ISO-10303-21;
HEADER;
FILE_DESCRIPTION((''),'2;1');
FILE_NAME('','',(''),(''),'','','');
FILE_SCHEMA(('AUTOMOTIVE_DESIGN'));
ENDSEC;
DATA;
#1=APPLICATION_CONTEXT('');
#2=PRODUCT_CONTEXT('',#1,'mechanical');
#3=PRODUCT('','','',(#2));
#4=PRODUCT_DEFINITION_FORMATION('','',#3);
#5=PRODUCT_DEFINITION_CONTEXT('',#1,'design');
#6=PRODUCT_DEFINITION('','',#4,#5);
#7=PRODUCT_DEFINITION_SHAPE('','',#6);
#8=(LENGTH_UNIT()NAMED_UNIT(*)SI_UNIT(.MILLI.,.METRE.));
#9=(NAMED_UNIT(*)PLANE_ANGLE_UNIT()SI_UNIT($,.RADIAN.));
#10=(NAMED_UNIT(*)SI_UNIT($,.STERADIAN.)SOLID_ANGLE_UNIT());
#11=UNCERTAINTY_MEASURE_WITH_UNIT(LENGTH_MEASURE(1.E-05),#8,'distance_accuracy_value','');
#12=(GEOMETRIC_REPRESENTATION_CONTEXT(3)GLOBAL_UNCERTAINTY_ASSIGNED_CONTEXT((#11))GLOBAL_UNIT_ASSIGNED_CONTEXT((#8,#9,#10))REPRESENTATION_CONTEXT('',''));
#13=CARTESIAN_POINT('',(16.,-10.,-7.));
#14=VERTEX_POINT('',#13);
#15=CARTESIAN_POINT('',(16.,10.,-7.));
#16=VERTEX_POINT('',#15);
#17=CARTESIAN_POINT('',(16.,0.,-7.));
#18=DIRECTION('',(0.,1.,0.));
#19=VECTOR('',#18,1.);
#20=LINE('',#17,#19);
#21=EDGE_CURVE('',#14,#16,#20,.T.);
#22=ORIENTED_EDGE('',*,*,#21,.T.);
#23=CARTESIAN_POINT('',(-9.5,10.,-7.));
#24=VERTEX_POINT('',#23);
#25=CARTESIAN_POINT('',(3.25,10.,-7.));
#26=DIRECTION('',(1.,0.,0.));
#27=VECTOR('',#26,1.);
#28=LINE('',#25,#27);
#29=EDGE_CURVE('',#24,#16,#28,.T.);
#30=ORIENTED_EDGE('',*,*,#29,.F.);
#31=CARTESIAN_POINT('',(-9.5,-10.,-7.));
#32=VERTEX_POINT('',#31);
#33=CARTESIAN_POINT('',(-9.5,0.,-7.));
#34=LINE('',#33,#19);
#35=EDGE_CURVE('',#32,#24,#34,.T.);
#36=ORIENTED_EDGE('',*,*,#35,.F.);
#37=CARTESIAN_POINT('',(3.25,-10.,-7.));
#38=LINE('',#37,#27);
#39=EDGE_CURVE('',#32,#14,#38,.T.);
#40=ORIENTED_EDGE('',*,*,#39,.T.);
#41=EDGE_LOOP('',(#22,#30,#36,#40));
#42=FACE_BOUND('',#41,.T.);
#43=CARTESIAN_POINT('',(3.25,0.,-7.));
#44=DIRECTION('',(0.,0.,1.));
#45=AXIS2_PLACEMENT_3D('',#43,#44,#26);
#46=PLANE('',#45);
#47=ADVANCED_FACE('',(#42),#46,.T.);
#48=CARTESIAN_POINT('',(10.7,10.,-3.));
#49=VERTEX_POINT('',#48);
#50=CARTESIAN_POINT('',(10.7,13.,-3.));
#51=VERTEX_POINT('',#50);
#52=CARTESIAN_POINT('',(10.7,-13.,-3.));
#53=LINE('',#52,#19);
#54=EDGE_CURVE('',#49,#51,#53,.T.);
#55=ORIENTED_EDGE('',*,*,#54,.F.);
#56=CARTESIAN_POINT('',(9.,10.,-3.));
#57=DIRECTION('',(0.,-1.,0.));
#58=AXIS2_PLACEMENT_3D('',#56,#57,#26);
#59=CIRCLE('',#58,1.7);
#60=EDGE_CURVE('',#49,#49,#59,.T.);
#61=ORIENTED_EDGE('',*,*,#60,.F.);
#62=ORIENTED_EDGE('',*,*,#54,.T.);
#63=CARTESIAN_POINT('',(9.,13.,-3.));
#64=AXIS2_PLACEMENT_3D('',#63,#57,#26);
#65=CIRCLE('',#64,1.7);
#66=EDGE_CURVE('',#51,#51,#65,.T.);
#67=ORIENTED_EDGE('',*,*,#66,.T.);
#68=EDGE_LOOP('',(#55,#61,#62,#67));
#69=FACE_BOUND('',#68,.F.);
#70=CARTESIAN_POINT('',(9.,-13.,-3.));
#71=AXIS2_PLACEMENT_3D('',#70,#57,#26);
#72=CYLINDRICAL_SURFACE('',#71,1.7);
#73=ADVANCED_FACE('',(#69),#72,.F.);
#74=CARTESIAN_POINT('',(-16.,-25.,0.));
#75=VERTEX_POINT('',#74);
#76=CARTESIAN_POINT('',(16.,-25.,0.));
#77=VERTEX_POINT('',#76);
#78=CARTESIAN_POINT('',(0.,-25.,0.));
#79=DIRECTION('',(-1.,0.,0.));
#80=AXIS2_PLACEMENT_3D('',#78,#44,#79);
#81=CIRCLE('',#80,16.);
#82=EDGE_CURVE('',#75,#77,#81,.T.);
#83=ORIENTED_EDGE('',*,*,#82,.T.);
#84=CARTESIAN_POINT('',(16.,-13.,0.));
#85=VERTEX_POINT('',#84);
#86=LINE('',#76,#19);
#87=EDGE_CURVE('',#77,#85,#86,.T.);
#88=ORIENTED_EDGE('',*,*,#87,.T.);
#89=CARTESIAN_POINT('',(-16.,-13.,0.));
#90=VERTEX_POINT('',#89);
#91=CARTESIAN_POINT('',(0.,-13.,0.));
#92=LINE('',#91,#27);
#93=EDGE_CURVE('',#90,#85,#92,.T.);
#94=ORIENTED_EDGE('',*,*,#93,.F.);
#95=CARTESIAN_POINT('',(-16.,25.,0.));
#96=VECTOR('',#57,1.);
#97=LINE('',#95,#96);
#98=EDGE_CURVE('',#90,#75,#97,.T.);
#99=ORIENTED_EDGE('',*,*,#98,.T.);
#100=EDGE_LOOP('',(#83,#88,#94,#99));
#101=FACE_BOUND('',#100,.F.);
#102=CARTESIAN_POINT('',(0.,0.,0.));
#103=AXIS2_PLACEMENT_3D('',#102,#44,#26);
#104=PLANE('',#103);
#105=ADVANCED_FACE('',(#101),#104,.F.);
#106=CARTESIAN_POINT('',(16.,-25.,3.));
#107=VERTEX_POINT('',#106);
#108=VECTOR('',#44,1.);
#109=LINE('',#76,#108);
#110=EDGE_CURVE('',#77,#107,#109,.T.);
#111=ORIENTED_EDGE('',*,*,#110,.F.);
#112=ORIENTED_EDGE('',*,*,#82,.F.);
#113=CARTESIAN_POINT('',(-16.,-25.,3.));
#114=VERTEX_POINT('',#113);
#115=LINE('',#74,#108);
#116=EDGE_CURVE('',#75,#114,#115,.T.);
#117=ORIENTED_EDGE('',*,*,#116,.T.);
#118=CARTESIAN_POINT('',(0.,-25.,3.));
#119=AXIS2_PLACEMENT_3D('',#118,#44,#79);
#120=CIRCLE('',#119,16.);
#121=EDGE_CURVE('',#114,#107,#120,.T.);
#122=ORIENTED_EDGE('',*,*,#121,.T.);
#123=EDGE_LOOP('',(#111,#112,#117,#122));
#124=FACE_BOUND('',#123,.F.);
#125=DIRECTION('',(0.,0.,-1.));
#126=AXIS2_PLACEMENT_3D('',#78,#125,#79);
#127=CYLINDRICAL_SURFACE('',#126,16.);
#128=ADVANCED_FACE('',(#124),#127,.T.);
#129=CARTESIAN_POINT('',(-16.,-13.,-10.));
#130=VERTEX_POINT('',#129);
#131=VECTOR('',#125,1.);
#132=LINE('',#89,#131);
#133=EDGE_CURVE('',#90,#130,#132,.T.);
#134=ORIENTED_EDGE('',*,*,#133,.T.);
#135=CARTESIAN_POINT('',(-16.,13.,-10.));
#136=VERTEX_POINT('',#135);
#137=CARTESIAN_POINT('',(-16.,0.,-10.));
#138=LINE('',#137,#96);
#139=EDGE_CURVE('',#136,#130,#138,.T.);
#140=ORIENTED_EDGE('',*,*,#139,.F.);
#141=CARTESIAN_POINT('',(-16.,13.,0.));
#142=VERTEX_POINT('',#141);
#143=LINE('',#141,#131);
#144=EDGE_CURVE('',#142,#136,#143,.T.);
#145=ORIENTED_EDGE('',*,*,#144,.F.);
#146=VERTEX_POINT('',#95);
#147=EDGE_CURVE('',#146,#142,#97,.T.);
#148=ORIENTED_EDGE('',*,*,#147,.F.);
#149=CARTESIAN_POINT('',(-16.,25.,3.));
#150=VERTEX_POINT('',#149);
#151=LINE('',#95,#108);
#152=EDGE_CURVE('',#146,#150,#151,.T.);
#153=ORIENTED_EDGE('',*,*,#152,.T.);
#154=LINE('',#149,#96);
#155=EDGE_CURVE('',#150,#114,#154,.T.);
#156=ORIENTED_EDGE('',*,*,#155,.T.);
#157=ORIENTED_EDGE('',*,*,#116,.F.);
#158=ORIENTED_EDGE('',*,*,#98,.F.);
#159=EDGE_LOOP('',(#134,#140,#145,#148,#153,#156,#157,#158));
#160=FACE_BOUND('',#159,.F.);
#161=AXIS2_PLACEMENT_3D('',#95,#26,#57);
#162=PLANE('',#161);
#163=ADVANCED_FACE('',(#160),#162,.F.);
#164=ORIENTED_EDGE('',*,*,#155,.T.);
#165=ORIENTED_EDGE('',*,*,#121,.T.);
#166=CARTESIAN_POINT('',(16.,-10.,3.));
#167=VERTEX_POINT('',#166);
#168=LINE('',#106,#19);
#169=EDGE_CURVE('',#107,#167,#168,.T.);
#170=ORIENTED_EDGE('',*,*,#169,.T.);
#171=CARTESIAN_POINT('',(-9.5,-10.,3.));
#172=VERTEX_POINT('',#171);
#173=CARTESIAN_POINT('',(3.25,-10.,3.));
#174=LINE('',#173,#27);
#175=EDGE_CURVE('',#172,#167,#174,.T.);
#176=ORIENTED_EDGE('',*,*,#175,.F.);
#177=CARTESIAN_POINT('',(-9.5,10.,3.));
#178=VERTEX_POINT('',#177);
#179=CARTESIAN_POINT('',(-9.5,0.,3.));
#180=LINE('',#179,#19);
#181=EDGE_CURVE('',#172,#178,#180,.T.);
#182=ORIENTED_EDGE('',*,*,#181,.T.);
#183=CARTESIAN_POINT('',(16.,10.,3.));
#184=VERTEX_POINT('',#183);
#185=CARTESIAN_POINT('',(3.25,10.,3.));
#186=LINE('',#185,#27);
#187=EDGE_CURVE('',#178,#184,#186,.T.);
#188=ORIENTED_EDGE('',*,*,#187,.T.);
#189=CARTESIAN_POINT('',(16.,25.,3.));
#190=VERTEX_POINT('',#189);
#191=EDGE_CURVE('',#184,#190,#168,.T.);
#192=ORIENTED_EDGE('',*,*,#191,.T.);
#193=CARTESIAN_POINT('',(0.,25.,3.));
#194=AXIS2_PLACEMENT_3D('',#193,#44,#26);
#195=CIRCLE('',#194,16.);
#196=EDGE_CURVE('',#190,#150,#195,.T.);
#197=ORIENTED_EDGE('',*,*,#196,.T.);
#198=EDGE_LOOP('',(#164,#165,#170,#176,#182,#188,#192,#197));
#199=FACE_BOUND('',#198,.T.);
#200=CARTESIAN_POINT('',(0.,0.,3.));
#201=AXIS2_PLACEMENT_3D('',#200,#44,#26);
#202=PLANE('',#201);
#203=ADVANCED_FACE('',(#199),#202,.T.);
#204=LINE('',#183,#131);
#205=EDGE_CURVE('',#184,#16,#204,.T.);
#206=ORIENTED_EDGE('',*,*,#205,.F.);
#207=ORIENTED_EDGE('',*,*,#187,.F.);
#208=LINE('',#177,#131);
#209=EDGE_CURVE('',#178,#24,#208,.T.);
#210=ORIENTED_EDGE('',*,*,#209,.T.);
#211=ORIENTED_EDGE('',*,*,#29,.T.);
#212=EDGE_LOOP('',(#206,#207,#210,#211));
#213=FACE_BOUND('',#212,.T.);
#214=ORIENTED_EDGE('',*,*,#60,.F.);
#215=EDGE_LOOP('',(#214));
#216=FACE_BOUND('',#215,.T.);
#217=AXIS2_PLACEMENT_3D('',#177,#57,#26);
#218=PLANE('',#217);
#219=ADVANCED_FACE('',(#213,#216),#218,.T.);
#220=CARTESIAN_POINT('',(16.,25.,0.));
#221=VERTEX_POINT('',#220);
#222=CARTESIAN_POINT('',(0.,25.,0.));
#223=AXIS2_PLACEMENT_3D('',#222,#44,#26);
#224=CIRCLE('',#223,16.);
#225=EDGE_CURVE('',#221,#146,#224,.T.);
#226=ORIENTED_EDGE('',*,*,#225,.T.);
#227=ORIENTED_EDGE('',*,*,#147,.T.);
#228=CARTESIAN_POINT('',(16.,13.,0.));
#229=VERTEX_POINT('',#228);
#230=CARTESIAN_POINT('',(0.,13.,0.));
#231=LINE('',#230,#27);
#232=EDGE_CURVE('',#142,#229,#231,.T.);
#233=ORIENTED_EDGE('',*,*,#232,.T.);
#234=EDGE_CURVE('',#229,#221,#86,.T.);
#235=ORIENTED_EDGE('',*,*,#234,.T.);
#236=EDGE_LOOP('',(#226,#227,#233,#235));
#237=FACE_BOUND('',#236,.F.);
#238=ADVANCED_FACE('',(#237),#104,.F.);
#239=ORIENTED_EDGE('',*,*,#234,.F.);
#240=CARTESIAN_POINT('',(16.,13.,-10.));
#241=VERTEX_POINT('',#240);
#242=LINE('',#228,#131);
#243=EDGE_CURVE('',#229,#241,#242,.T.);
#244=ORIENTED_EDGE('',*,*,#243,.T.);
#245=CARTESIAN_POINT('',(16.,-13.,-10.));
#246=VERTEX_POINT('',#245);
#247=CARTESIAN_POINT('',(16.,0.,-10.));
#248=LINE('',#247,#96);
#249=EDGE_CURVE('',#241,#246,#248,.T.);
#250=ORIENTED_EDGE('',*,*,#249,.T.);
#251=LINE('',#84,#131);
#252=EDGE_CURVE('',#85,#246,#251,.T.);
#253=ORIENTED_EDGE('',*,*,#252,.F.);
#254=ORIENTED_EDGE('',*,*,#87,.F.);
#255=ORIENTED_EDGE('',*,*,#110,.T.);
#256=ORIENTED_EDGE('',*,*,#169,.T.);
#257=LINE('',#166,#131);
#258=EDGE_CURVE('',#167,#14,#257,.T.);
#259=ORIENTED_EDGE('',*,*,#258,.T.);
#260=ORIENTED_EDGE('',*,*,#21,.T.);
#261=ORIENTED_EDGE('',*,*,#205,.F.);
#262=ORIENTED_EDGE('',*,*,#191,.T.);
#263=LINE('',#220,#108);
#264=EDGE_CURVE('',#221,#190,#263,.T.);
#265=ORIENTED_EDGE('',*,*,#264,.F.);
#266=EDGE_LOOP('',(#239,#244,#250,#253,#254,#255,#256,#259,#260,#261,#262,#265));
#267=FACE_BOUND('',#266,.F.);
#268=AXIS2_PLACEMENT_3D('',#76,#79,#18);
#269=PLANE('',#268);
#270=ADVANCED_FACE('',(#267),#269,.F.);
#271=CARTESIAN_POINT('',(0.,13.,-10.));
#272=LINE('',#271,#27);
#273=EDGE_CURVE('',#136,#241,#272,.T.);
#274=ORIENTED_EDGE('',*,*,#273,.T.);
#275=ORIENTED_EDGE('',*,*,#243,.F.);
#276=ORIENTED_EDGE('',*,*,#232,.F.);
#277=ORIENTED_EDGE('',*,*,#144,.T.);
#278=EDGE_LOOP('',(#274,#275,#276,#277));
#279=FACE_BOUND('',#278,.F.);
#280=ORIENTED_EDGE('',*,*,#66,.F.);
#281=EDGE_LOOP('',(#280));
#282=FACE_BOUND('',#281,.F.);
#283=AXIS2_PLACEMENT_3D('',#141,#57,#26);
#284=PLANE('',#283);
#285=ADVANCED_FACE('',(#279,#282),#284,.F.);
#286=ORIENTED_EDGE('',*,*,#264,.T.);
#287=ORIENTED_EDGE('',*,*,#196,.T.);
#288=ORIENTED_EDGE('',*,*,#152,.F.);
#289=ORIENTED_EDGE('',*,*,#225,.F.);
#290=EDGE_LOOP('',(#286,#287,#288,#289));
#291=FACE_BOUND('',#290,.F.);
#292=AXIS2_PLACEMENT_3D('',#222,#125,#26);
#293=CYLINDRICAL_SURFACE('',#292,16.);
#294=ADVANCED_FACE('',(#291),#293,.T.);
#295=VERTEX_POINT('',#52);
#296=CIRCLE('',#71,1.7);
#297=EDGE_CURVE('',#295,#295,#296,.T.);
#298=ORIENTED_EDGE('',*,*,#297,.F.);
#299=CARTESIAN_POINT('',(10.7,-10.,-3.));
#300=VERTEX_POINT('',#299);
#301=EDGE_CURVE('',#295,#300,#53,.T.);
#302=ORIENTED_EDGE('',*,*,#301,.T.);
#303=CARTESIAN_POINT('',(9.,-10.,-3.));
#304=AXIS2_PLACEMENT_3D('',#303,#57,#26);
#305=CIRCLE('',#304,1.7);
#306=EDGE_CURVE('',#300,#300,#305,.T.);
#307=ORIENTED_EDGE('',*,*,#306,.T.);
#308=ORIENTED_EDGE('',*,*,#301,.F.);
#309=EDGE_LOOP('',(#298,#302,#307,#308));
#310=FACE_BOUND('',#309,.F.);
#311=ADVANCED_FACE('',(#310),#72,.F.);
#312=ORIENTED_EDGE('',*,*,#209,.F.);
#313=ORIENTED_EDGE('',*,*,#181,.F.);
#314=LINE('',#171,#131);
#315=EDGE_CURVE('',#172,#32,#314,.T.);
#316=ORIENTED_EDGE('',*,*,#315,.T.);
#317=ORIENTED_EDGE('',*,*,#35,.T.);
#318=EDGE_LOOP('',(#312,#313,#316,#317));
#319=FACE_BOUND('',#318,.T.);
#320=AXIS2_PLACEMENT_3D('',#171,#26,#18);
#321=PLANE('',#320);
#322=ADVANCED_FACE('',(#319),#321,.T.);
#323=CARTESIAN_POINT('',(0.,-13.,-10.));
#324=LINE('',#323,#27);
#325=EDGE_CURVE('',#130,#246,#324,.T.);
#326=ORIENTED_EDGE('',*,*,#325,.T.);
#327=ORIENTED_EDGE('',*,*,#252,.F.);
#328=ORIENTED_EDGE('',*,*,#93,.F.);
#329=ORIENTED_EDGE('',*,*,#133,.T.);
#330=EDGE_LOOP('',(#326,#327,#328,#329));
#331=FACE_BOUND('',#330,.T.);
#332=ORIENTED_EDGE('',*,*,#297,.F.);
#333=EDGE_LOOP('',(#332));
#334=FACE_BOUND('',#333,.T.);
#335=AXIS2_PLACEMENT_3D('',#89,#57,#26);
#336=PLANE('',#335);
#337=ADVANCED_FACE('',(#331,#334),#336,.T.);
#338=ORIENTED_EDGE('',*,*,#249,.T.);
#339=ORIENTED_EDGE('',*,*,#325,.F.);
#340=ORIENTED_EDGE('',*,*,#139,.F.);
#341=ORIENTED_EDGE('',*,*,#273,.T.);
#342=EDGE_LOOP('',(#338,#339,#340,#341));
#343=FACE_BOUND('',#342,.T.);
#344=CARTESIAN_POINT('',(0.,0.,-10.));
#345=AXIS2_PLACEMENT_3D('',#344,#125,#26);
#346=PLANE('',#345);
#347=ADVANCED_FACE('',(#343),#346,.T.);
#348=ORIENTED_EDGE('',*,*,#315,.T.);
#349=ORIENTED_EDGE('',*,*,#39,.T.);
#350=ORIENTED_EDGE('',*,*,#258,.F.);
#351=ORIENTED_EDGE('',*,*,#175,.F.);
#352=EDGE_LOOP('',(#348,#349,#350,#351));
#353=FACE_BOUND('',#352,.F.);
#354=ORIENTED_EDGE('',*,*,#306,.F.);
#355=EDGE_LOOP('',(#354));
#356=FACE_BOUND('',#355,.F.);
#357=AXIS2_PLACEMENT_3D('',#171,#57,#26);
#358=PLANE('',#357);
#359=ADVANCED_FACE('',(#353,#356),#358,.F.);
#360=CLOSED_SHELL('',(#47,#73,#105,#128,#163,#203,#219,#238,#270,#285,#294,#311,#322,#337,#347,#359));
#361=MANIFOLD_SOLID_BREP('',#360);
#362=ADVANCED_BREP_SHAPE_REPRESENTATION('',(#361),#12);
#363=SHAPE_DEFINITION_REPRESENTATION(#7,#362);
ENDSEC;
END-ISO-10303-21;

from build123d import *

# Parameters (mm, degrees)
F1_DEPTH = 3
F2_W     = 32
F2_H     = 26
F3_DEPTH = 10
F4_W     = 25.5
F4_H     = 20
F5_DEPTH = 10
F6_R     = 1.7
F7_DEPTH = 101.6


with BuildPart() as f1:
    # F0 (on Top) → F1 (new body)
    with BuildSketch(Plane.XY):
        with BuildLine():
            Line((16, -25), (16, 25))
            ThreePointArc((16, 25), (0, 41), (-16, 25))
            Line((-16, 25), (-16, -25))
            ThreePointArc((-16, -25), (0, -41), (16, -25))
        make_face()
    extrude(amount=F1_DEPTH)

    # F2 (on face) → F3 (join)
    with BuildSketch(Plane(origin=(0, 0, 0), x_dir=(1, 0, 0), z_dir=(0, 0, -1))):
        Rectangle(F2_W, F2_H)
    extrude(amount=F3_DEPTH)

    # F4 (on face) → F5 (cut)
    with BuildSketch(Plane.XY.offset(3)):
        with Locations((3.25, 0)):
            Rectangle(F4_W, F4_H)
    extrude(amount=-F5_DEPTH, mode=Mode.SUBTRACT)

    # F6 (on face) → F7 (cut)
    with BuildSketch(Plane.XZ.offset(13)):
        with Locations((9, -3)):
            Circle(F6_R)
    extrude(amount=-F7_DEPTH, mode=Mode.SUBTRACT)


solid = f1.part
